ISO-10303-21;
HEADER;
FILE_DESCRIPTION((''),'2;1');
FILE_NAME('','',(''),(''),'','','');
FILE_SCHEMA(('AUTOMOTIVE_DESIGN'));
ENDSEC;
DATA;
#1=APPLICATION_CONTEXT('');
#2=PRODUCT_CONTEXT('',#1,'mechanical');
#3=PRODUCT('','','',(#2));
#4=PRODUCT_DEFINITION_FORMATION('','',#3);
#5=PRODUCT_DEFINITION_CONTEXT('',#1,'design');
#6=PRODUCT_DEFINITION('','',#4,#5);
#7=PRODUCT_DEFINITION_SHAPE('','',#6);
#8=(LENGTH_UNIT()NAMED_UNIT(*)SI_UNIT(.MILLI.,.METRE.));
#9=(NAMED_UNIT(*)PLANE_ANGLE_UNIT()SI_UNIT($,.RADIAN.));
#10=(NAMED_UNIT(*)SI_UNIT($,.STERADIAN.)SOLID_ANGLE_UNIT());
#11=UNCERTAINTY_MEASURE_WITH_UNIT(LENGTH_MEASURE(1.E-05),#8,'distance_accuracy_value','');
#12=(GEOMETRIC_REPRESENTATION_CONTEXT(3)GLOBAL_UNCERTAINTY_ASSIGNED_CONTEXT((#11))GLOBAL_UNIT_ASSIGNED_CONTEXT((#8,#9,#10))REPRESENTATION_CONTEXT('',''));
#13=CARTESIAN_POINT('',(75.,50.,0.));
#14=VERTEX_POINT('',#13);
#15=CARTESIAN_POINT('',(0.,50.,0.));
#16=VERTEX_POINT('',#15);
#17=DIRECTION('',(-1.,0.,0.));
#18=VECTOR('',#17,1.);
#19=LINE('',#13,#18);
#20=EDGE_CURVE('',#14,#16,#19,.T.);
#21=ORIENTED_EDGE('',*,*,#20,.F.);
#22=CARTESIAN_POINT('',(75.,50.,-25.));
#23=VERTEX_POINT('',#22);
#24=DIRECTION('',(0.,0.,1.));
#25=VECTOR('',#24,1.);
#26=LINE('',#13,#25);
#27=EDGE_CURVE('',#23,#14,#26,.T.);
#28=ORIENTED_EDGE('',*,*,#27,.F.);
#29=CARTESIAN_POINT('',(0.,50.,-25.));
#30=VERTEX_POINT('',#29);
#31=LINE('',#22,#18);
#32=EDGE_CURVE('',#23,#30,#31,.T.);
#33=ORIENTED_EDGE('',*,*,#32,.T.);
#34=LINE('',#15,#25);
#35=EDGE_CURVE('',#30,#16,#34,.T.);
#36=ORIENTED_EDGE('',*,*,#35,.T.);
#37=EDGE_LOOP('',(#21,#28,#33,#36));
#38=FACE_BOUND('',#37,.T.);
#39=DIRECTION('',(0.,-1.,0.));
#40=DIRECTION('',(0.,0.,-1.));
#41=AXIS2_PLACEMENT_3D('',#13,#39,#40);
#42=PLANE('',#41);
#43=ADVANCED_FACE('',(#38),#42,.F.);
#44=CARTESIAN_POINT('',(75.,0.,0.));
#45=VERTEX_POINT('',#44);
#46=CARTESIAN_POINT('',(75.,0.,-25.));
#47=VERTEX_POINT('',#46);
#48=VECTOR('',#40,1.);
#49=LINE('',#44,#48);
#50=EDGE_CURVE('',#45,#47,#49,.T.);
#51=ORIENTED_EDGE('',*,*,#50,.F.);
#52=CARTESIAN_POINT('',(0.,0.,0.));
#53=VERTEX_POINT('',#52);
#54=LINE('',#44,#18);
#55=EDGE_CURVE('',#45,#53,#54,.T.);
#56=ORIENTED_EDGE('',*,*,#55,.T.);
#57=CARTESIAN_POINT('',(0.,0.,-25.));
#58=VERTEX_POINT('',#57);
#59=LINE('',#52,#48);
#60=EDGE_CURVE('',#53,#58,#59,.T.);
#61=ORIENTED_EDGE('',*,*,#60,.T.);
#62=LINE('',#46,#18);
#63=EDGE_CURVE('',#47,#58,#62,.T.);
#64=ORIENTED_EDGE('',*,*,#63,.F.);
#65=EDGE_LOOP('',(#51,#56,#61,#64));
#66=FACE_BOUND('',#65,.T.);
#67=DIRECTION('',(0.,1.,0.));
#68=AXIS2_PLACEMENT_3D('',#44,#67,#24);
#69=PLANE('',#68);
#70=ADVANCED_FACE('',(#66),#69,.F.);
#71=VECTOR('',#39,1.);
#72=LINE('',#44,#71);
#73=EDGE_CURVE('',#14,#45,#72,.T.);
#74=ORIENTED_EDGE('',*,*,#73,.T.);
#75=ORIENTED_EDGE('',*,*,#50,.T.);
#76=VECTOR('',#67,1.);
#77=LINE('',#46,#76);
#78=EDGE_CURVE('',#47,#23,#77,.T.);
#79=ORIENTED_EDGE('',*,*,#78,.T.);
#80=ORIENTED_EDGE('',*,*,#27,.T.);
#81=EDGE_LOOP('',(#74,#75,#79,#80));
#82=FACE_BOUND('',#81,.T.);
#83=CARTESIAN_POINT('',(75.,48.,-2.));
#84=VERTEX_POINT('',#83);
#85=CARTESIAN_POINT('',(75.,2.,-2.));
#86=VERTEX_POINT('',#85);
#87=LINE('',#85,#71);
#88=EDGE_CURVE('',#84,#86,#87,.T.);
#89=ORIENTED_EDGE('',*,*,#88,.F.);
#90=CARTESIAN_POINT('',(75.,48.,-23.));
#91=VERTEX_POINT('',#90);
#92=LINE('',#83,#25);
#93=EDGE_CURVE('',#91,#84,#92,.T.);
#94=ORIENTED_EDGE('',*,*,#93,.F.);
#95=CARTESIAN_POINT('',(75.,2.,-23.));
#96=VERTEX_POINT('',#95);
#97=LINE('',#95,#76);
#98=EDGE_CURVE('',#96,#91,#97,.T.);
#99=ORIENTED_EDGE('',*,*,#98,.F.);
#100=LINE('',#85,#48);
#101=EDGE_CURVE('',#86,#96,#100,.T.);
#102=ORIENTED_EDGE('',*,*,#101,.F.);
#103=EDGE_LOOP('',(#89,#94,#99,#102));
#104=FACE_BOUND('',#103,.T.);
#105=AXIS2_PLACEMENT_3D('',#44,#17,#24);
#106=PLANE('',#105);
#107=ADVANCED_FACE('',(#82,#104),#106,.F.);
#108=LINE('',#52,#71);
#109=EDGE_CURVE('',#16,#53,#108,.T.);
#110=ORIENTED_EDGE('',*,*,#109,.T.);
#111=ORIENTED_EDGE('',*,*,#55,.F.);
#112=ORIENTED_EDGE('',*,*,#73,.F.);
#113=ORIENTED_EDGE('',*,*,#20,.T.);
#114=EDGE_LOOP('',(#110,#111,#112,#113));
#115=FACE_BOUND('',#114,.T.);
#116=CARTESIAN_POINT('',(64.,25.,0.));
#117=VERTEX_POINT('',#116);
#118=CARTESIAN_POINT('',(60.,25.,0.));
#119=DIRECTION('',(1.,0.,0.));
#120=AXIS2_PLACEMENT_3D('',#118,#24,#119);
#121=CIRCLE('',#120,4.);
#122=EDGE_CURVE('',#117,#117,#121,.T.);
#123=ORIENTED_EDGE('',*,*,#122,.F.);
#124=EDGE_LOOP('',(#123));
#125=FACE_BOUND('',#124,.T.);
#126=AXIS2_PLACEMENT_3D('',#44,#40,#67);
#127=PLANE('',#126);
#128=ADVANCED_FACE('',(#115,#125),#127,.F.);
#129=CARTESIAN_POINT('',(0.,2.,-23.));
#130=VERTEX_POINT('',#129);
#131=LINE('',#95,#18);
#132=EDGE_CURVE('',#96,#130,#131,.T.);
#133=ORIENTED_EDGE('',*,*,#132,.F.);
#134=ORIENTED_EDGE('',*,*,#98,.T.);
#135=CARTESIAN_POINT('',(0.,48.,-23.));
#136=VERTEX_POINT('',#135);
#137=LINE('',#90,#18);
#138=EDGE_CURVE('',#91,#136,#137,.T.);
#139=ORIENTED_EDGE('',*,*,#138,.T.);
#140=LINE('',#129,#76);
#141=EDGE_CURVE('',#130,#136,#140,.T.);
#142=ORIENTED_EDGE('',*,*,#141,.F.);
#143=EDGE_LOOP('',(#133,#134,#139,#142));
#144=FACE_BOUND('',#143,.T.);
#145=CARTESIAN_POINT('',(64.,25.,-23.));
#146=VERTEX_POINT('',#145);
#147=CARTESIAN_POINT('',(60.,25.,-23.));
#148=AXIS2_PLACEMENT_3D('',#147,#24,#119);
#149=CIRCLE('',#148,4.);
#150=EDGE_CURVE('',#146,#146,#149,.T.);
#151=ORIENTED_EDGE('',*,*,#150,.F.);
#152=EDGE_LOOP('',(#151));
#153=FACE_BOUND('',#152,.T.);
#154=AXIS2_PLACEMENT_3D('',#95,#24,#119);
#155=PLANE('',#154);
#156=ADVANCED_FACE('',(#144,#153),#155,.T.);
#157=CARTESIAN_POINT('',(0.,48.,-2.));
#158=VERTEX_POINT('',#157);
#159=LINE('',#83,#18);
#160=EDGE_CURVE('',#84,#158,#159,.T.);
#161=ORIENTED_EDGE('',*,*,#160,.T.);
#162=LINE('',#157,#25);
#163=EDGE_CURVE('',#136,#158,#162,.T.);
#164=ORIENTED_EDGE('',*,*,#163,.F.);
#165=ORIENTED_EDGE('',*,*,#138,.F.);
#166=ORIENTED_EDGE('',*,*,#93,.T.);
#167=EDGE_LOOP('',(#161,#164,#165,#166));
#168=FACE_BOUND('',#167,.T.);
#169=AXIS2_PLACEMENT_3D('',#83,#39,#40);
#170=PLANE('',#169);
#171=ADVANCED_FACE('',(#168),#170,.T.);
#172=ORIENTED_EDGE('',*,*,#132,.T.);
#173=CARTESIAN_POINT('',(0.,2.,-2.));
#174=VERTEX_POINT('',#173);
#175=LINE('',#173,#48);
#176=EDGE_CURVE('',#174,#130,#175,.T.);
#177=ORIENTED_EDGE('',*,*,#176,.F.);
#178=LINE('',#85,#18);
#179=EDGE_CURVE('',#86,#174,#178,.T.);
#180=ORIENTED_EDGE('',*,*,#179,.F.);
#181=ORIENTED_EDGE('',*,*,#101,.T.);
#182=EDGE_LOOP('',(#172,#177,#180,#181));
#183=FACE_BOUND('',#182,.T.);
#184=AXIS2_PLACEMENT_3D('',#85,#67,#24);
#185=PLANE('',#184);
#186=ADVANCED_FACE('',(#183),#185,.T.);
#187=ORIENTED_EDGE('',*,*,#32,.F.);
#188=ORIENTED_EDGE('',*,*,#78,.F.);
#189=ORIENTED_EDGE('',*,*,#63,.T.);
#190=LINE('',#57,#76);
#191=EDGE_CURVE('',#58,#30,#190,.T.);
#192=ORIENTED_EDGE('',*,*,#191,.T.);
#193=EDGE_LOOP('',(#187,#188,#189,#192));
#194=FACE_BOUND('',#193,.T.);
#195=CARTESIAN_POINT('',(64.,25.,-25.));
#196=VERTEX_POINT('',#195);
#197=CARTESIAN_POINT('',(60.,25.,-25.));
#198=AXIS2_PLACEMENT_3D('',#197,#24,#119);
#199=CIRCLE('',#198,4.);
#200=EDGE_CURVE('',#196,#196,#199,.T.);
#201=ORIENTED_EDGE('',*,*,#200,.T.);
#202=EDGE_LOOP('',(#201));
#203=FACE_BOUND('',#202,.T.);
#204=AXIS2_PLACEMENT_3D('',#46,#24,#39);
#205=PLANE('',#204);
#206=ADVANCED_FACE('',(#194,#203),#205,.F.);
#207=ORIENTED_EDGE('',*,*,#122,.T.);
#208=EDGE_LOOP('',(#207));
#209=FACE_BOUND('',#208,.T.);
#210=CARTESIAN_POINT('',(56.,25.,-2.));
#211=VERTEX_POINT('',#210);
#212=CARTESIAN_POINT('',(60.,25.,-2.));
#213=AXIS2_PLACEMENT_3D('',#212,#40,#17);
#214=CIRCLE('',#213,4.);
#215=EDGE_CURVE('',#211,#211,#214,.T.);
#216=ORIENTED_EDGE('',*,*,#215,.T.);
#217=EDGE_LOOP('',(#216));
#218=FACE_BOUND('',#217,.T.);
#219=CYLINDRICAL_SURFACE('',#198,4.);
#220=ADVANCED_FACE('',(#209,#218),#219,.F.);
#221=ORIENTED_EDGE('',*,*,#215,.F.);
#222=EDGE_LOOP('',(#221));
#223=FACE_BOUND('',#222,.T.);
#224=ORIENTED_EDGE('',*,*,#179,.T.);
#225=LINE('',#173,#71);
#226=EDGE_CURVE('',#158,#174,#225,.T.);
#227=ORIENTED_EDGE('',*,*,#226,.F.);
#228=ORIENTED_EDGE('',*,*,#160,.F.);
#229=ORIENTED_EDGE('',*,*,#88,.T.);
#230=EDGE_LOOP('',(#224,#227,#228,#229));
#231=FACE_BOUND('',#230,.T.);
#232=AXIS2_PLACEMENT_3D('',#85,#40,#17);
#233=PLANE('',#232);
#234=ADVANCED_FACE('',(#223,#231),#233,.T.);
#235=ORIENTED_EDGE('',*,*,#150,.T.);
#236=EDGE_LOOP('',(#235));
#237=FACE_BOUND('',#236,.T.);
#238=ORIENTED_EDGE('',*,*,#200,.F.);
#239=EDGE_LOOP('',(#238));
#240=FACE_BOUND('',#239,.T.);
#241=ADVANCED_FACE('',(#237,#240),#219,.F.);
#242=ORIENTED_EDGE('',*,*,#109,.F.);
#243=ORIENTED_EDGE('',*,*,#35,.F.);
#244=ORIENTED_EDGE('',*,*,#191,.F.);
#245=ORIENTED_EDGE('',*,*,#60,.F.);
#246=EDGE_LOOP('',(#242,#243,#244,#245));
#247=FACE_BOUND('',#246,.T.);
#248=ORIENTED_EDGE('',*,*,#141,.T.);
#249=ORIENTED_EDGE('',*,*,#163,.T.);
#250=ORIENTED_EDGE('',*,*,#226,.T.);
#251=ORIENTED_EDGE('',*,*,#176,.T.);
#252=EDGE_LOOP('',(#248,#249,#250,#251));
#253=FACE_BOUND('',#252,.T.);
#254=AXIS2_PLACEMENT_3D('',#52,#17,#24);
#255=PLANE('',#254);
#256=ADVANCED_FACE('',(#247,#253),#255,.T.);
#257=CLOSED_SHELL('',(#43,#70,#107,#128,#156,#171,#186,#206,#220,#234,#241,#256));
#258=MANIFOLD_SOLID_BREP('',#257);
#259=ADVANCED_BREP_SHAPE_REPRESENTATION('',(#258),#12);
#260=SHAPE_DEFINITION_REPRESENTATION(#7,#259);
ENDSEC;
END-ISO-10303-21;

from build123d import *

# Parameters (mm, degrees)
SKETCH1_W           = 25
SKETCH1_H           = 50
SKETCH1_W_2         = 21
SKETCH1_H_2         = 46
BOSS_EXTRUDE1_DEPTH = 75
SKETCH2_R           = 4
CUT_EXTRUDE1_DEPTH  = 94.541434669


with BuildPart() as part:
    # Sketch1 → Boss-Extrude1 (new body)
    with BuildSketch(Plane(origin=(0, 0, 0), x_dir=(0, 0, -1), z_dir=(1, 0, 0))):
        with Locations((12.5, 25)):
            Rectangle(SKETCH1_W, SKETCH1_H)
        with Locations((12.5, 25)):
            Rectangle(SKETCH1_W_2, SKETCH1_H_2, mode=Mode.SUBTRACT)
    extrude(amount=BOSS_EXTRUDE1_DEPTH)

    # Sketch2 → Cut-Extrude1 (cut, through all)
    with BuildSketch(Plane.XY):
        with Locations((60, 25)):
            Circle(SKETCH2_R)
    extrude(amount=-CUT_EXTRUDE1_DEPTH, mode=Mode.SUBTRACT)


solid = part.part
